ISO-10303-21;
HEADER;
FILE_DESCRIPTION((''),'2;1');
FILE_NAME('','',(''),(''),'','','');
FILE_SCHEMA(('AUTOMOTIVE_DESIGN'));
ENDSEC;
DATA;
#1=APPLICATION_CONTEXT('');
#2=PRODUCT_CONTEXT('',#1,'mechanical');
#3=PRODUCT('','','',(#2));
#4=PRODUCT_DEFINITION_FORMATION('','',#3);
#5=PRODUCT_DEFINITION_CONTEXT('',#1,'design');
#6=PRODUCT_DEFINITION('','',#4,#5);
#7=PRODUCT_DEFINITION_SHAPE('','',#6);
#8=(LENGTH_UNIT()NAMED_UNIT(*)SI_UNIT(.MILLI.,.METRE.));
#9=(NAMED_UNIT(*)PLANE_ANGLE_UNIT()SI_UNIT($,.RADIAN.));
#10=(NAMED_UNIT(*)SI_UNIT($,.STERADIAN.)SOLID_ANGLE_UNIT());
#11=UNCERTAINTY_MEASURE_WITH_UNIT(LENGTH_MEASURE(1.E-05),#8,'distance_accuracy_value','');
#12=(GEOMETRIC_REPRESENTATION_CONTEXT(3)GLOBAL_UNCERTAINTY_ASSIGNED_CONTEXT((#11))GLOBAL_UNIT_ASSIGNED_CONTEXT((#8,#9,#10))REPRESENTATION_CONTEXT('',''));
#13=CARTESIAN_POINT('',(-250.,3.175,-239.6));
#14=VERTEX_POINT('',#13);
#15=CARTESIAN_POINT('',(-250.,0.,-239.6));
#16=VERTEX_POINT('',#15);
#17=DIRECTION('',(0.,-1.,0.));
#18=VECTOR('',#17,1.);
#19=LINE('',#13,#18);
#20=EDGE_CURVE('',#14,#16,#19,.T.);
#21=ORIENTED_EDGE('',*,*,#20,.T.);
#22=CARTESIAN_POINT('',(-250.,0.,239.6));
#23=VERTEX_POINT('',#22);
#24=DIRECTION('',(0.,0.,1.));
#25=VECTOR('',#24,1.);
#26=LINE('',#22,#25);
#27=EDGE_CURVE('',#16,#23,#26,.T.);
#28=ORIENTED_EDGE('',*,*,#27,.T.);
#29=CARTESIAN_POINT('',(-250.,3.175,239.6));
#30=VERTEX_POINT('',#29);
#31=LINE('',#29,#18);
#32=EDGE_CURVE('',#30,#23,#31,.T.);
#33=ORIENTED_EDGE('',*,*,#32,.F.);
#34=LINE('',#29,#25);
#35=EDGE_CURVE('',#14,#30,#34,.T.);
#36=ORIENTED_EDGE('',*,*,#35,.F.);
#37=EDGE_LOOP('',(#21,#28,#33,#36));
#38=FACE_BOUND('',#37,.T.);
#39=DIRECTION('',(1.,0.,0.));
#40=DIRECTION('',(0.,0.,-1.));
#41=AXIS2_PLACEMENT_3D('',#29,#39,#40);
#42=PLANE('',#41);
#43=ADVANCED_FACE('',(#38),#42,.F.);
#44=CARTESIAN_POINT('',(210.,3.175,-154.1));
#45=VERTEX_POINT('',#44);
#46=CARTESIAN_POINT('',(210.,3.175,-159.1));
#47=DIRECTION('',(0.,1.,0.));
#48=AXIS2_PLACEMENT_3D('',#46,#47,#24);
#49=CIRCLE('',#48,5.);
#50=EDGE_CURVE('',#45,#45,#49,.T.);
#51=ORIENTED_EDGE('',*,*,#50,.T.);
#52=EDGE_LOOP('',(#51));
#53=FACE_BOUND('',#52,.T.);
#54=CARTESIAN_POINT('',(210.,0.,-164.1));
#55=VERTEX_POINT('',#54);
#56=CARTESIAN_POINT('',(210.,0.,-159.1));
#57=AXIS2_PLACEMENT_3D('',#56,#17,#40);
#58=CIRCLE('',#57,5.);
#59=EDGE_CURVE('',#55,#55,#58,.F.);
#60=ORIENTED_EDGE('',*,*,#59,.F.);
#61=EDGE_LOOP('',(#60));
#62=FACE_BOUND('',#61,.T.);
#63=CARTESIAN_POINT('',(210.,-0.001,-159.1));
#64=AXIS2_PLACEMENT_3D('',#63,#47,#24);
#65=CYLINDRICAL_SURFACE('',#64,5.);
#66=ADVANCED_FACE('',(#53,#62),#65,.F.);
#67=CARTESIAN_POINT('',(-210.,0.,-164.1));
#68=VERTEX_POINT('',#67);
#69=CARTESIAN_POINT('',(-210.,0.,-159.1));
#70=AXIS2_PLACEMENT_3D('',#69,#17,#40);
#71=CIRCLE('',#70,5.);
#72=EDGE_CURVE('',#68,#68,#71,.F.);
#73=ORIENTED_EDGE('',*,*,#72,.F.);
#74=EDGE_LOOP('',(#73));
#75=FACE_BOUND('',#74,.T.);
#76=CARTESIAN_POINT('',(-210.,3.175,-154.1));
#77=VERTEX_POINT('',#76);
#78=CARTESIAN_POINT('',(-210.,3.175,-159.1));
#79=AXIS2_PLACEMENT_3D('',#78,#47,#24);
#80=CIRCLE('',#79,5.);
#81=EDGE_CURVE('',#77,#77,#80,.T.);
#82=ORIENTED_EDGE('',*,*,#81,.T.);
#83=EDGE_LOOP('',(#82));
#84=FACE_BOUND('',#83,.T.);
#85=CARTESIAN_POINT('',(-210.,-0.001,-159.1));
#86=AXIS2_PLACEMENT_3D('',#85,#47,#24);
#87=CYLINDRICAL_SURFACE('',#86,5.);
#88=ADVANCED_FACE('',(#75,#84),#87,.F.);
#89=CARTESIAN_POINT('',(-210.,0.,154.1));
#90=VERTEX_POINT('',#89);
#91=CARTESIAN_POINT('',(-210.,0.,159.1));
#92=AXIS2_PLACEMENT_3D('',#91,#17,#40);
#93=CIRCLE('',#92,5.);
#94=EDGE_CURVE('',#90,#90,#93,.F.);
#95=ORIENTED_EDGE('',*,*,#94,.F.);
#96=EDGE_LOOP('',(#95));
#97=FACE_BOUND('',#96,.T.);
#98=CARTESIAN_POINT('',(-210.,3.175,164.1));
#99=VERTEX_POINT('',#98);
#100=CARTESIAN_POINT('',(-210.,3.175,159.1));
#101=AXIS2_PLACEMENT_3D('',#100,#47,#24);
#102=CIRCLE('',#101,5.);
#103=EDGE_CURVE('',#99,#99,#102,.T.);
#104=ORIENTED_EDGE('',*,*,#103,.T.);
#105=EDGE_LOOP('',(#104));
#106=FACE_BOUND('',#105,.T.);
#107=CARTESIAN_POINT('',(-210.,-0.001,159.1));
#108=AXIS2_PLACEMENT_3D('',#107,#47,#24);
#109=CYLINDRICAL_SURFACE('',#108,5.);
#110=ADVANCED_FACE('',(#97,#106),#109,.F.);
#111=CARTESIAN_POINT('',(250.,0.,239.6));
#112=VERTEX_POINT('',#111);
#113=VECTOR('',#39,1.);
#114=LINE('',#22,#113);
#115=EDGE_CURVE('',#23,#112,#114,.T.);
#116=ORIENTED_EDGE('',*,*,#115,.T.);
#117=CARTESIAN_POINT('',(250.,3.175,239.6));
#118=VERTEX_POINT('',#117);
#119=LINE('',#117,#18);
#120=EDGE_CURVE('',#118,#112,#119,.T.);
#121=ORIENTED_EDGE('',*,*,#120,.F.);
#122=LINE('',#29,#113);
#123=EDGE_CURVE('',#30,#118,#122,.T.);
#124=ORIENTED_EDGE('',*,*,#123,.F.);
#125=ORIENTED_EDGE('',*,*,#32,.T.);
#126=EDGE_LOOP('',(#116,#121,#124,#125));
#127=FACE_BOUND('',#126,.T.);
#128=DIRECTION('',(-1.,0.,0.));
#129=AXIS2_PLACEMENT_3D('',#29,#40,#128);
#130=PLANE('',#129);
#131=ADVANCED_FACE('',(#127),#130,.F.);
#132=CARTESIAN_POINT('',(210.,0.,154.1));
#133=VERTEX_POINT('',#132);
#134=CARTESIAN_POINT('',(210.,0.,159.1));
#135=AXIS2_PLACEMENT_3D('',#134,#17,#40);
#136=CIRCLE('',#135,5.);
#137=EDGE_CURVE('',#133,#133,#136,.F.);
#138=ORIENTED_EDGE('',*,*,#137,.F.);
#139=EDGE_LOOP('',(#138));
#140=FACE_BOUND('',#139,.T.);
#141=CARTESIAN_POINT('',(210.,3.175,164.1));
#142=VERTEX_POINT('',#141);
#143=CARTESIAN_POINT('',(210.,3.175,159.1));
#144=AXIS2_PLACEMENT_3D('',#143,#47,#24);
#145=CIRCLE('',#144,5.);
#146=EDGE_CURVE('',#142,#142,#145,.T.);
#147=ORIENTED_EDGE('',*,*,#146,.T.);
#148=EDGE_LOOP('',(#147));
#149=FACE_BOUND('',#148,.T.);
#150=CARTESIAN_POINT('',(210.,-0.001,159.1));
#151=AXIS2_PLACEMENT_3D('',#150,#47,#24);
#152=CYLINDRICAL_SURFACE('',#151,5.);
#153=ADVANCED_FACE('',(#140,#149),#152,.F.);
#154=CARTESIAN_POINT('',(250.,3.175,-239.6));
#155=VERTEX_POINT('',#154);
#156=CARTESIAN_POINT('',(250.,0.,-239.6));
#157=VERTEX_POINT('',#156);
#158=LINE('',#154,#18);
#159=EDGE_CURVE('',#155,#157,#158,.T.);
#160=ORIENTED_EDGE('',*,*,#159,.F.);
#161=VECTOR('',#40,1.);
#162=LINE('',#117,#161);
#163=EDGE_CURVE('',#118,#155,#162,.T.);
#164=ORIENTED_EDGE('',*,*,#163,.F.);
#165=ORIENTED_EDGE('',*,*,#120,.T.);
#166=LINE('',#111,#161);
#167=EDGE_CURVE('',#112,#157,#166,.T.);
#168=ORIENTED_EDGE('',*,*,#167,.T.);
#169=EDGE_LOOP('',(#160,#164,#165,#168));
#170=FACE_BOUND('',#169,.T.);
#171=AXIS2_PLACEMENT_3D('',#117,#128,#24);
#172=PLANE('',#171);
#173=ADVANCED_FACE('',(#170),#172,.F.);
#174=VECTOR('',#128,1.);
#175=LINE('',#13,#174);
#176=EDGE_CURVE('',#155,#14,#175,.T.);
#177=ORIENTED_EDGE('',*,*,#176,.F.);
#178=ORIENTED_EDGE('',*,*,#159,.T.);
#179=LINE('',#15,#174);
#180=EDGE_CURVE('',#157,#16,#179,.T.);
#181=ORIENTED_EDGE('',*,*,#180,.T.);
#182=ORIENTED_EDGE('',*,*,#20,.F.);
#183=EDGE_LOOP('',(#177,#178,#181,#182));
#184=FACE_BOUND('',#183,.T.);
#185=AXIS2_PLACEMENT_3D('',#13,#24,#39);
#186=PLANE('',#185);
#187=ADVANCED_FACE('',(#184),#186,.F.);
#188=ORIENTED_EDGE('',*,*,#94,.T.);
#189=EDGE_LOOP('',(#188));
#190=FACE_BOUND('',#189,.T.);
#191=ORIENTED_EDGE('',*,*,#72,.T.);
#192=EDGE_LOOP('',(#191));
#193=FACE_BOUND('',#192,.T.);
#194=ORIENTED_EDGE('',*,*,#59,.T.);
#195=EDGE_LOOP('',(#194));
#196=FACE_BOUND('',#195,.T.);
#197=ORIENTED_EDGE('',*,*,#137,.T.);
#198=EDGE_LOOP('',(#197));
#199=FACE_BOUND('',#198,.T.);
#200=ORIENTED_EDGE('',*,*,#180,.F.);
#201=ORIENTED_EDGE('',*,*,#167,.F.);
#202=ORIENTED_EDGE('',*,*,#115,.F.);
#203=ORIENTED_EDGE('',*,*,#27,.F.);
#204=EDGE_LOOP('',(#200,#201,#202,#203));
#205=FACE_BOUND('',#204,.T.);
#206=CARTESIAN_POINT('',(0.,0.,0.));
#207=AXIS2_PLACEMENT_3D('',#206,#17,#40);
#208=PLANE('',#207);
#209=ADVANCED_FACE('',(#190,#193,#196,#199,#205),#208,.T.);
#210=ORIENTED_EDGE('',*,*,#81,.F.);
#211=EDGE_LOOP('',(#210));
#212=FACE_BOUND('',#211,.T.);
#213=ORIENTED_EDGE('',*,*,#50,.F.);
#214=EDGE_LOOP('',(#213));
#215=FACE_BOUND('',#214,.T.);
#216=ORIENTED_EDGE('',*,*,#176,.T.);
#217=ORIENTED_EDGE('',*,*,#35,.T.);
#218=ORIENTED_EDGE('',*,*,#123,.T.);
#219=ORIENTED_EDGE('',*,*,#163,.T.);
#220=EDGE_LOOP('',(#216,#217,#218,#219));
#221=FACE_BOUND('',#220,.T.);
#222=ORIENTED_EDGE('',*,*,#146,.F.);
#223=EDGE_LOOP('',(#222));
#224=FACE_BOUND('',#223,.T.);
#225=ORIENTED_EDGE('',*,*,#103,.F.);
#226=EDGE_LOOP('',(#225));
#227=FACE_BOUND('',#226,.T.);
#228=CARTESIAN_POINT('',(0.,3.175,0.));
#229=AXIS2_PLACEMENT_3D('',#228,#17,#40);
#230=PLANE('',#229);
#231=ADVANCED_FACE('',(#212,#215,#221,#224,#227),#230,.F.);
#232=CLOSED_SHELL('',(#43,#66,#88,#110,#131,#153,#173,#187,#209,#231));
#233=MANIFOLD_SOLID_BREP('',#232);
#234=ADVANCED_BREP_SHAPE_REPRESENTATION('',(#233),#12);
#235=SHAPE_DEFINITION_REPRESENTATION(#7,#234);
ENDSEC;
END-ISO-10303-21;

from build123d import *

# Parameters (mm, degrees)
SKETCH1_W           = 500
SKETCH1_H           = 479.2
BOSS_EXTRUDE1_DEPTH = 3.175
CUT_EXTRUDE1_REACH  = 348.292
SKETCH2_R           = 5


with BuildPart() as part:
    # Sketch1 → Boss-Extrude1 (new body)
    with BuildSketch(Plane(origin=(0, 0, 0), x_dir=(1, 0, 0), z_dir=(0, 1, 0))):
        Rectangle(SKETCH1_W, SKETCH1_H)
    extrude(amount=BOSS_EXTRUDE1_DEPTH)

    # Sketch2 → Cut-Extrude1 (cut, up to next)
    with BuildSketch(Plane(origin=(0, 3.175, 0), x_dir=(1, 0, 0), z_dir=(0, 1, 0)), mode=Mode.PRIVATE) as cut_extrude1_sk1:
        with Locations(Location((-210, 159.1, 0), (0, 0, 270))):
            Circle(SKETCH2_R)
    cut_extrude1_tool1 = extrude(cut_extrude1_sk1.sketch, amount=-CUT_EXTRUDE1_REACH, mode=Mode.PRIVATE) & part.part
    # Sketch2 → Cut-Extrude1 (cut, up to next)
    with BuildSketch(Plane(origin=(0, 3.175, 0), x_dir=(1, 0, 0), z_dir=(0, 1, 0)), mode=Mode.PRIVATE) as cut_extrude1_sk2:
        with Locations(Location((210, 159.1, 0), (0, 0, 270))):
            Circle(SKETCH2_R)
    cut_extrude1_tool2 = extrude(cut_extrude1_sk2.sketch, amount=-CUT_EXTRUDE1_REACH, mode=Mode.PRIVATE) & part.part
    # Sketch2 → Cut-Extrude1 (cut, up to next)
    with BuildSketch(Plane(origin=(0, 3.175, 0), x_dir=(1, 0, 0), z_dir=(0, 1, 0)), mode=Mode.PRIVATE) as cut_extrude1_sk3:
        with Locations(Location((-210, -159.1, 0), (0, 0, 270))):
            Circle(SKETCH2_R)
    cut_extrude1_tool3 = extrude(cut_extrude1_sk3.sketch, amount=-CUT_EXTRUDE1_REACH, mode=Mode.PRIVATE) & part.part
    # Sketch2 → Cut-Extrude1 (cut, up to next)
    with BuildSketch(Plane(origin=(0, 3.175, 0), x_dir=(1, 0, 0), z_dir=(0, 1, 0)), mode=Mode.PRIVATE) as cut_extrude1_sk4:
        with Locations(Location((210, -159.1, 0), (0, 0, 270))):
            Circle(SKETCH2_R)
    cut_extrude1_tool4 = extrude(cut_extrude1_sk4.sketch, amount=-CUT_EXTRUDE1_REACH, mode=Mode.PRIVATE) & part.part
    add(cut_extrude1_tool1.solids().sort_by_distance((-210, 3.175, -159.1))[0], mode=Mode.SUBTRACT)
    add(cut_extrude1_tool2.solids().sort_by_distance((210, 3.175, -159.1))[0], mode=Mode.SUBTRACT)
    add(cut_extrude1_tool3.solids().sort_by_distance((-210, 3.175, 159.1))[0], mode=Mode.SUBTRACT)
    add(cut_extrude1_tool4.solids().sort_by_distance((210, 3.175, 159.1))[0], mode=Mode.SUBTRACT)


solid = part.part
